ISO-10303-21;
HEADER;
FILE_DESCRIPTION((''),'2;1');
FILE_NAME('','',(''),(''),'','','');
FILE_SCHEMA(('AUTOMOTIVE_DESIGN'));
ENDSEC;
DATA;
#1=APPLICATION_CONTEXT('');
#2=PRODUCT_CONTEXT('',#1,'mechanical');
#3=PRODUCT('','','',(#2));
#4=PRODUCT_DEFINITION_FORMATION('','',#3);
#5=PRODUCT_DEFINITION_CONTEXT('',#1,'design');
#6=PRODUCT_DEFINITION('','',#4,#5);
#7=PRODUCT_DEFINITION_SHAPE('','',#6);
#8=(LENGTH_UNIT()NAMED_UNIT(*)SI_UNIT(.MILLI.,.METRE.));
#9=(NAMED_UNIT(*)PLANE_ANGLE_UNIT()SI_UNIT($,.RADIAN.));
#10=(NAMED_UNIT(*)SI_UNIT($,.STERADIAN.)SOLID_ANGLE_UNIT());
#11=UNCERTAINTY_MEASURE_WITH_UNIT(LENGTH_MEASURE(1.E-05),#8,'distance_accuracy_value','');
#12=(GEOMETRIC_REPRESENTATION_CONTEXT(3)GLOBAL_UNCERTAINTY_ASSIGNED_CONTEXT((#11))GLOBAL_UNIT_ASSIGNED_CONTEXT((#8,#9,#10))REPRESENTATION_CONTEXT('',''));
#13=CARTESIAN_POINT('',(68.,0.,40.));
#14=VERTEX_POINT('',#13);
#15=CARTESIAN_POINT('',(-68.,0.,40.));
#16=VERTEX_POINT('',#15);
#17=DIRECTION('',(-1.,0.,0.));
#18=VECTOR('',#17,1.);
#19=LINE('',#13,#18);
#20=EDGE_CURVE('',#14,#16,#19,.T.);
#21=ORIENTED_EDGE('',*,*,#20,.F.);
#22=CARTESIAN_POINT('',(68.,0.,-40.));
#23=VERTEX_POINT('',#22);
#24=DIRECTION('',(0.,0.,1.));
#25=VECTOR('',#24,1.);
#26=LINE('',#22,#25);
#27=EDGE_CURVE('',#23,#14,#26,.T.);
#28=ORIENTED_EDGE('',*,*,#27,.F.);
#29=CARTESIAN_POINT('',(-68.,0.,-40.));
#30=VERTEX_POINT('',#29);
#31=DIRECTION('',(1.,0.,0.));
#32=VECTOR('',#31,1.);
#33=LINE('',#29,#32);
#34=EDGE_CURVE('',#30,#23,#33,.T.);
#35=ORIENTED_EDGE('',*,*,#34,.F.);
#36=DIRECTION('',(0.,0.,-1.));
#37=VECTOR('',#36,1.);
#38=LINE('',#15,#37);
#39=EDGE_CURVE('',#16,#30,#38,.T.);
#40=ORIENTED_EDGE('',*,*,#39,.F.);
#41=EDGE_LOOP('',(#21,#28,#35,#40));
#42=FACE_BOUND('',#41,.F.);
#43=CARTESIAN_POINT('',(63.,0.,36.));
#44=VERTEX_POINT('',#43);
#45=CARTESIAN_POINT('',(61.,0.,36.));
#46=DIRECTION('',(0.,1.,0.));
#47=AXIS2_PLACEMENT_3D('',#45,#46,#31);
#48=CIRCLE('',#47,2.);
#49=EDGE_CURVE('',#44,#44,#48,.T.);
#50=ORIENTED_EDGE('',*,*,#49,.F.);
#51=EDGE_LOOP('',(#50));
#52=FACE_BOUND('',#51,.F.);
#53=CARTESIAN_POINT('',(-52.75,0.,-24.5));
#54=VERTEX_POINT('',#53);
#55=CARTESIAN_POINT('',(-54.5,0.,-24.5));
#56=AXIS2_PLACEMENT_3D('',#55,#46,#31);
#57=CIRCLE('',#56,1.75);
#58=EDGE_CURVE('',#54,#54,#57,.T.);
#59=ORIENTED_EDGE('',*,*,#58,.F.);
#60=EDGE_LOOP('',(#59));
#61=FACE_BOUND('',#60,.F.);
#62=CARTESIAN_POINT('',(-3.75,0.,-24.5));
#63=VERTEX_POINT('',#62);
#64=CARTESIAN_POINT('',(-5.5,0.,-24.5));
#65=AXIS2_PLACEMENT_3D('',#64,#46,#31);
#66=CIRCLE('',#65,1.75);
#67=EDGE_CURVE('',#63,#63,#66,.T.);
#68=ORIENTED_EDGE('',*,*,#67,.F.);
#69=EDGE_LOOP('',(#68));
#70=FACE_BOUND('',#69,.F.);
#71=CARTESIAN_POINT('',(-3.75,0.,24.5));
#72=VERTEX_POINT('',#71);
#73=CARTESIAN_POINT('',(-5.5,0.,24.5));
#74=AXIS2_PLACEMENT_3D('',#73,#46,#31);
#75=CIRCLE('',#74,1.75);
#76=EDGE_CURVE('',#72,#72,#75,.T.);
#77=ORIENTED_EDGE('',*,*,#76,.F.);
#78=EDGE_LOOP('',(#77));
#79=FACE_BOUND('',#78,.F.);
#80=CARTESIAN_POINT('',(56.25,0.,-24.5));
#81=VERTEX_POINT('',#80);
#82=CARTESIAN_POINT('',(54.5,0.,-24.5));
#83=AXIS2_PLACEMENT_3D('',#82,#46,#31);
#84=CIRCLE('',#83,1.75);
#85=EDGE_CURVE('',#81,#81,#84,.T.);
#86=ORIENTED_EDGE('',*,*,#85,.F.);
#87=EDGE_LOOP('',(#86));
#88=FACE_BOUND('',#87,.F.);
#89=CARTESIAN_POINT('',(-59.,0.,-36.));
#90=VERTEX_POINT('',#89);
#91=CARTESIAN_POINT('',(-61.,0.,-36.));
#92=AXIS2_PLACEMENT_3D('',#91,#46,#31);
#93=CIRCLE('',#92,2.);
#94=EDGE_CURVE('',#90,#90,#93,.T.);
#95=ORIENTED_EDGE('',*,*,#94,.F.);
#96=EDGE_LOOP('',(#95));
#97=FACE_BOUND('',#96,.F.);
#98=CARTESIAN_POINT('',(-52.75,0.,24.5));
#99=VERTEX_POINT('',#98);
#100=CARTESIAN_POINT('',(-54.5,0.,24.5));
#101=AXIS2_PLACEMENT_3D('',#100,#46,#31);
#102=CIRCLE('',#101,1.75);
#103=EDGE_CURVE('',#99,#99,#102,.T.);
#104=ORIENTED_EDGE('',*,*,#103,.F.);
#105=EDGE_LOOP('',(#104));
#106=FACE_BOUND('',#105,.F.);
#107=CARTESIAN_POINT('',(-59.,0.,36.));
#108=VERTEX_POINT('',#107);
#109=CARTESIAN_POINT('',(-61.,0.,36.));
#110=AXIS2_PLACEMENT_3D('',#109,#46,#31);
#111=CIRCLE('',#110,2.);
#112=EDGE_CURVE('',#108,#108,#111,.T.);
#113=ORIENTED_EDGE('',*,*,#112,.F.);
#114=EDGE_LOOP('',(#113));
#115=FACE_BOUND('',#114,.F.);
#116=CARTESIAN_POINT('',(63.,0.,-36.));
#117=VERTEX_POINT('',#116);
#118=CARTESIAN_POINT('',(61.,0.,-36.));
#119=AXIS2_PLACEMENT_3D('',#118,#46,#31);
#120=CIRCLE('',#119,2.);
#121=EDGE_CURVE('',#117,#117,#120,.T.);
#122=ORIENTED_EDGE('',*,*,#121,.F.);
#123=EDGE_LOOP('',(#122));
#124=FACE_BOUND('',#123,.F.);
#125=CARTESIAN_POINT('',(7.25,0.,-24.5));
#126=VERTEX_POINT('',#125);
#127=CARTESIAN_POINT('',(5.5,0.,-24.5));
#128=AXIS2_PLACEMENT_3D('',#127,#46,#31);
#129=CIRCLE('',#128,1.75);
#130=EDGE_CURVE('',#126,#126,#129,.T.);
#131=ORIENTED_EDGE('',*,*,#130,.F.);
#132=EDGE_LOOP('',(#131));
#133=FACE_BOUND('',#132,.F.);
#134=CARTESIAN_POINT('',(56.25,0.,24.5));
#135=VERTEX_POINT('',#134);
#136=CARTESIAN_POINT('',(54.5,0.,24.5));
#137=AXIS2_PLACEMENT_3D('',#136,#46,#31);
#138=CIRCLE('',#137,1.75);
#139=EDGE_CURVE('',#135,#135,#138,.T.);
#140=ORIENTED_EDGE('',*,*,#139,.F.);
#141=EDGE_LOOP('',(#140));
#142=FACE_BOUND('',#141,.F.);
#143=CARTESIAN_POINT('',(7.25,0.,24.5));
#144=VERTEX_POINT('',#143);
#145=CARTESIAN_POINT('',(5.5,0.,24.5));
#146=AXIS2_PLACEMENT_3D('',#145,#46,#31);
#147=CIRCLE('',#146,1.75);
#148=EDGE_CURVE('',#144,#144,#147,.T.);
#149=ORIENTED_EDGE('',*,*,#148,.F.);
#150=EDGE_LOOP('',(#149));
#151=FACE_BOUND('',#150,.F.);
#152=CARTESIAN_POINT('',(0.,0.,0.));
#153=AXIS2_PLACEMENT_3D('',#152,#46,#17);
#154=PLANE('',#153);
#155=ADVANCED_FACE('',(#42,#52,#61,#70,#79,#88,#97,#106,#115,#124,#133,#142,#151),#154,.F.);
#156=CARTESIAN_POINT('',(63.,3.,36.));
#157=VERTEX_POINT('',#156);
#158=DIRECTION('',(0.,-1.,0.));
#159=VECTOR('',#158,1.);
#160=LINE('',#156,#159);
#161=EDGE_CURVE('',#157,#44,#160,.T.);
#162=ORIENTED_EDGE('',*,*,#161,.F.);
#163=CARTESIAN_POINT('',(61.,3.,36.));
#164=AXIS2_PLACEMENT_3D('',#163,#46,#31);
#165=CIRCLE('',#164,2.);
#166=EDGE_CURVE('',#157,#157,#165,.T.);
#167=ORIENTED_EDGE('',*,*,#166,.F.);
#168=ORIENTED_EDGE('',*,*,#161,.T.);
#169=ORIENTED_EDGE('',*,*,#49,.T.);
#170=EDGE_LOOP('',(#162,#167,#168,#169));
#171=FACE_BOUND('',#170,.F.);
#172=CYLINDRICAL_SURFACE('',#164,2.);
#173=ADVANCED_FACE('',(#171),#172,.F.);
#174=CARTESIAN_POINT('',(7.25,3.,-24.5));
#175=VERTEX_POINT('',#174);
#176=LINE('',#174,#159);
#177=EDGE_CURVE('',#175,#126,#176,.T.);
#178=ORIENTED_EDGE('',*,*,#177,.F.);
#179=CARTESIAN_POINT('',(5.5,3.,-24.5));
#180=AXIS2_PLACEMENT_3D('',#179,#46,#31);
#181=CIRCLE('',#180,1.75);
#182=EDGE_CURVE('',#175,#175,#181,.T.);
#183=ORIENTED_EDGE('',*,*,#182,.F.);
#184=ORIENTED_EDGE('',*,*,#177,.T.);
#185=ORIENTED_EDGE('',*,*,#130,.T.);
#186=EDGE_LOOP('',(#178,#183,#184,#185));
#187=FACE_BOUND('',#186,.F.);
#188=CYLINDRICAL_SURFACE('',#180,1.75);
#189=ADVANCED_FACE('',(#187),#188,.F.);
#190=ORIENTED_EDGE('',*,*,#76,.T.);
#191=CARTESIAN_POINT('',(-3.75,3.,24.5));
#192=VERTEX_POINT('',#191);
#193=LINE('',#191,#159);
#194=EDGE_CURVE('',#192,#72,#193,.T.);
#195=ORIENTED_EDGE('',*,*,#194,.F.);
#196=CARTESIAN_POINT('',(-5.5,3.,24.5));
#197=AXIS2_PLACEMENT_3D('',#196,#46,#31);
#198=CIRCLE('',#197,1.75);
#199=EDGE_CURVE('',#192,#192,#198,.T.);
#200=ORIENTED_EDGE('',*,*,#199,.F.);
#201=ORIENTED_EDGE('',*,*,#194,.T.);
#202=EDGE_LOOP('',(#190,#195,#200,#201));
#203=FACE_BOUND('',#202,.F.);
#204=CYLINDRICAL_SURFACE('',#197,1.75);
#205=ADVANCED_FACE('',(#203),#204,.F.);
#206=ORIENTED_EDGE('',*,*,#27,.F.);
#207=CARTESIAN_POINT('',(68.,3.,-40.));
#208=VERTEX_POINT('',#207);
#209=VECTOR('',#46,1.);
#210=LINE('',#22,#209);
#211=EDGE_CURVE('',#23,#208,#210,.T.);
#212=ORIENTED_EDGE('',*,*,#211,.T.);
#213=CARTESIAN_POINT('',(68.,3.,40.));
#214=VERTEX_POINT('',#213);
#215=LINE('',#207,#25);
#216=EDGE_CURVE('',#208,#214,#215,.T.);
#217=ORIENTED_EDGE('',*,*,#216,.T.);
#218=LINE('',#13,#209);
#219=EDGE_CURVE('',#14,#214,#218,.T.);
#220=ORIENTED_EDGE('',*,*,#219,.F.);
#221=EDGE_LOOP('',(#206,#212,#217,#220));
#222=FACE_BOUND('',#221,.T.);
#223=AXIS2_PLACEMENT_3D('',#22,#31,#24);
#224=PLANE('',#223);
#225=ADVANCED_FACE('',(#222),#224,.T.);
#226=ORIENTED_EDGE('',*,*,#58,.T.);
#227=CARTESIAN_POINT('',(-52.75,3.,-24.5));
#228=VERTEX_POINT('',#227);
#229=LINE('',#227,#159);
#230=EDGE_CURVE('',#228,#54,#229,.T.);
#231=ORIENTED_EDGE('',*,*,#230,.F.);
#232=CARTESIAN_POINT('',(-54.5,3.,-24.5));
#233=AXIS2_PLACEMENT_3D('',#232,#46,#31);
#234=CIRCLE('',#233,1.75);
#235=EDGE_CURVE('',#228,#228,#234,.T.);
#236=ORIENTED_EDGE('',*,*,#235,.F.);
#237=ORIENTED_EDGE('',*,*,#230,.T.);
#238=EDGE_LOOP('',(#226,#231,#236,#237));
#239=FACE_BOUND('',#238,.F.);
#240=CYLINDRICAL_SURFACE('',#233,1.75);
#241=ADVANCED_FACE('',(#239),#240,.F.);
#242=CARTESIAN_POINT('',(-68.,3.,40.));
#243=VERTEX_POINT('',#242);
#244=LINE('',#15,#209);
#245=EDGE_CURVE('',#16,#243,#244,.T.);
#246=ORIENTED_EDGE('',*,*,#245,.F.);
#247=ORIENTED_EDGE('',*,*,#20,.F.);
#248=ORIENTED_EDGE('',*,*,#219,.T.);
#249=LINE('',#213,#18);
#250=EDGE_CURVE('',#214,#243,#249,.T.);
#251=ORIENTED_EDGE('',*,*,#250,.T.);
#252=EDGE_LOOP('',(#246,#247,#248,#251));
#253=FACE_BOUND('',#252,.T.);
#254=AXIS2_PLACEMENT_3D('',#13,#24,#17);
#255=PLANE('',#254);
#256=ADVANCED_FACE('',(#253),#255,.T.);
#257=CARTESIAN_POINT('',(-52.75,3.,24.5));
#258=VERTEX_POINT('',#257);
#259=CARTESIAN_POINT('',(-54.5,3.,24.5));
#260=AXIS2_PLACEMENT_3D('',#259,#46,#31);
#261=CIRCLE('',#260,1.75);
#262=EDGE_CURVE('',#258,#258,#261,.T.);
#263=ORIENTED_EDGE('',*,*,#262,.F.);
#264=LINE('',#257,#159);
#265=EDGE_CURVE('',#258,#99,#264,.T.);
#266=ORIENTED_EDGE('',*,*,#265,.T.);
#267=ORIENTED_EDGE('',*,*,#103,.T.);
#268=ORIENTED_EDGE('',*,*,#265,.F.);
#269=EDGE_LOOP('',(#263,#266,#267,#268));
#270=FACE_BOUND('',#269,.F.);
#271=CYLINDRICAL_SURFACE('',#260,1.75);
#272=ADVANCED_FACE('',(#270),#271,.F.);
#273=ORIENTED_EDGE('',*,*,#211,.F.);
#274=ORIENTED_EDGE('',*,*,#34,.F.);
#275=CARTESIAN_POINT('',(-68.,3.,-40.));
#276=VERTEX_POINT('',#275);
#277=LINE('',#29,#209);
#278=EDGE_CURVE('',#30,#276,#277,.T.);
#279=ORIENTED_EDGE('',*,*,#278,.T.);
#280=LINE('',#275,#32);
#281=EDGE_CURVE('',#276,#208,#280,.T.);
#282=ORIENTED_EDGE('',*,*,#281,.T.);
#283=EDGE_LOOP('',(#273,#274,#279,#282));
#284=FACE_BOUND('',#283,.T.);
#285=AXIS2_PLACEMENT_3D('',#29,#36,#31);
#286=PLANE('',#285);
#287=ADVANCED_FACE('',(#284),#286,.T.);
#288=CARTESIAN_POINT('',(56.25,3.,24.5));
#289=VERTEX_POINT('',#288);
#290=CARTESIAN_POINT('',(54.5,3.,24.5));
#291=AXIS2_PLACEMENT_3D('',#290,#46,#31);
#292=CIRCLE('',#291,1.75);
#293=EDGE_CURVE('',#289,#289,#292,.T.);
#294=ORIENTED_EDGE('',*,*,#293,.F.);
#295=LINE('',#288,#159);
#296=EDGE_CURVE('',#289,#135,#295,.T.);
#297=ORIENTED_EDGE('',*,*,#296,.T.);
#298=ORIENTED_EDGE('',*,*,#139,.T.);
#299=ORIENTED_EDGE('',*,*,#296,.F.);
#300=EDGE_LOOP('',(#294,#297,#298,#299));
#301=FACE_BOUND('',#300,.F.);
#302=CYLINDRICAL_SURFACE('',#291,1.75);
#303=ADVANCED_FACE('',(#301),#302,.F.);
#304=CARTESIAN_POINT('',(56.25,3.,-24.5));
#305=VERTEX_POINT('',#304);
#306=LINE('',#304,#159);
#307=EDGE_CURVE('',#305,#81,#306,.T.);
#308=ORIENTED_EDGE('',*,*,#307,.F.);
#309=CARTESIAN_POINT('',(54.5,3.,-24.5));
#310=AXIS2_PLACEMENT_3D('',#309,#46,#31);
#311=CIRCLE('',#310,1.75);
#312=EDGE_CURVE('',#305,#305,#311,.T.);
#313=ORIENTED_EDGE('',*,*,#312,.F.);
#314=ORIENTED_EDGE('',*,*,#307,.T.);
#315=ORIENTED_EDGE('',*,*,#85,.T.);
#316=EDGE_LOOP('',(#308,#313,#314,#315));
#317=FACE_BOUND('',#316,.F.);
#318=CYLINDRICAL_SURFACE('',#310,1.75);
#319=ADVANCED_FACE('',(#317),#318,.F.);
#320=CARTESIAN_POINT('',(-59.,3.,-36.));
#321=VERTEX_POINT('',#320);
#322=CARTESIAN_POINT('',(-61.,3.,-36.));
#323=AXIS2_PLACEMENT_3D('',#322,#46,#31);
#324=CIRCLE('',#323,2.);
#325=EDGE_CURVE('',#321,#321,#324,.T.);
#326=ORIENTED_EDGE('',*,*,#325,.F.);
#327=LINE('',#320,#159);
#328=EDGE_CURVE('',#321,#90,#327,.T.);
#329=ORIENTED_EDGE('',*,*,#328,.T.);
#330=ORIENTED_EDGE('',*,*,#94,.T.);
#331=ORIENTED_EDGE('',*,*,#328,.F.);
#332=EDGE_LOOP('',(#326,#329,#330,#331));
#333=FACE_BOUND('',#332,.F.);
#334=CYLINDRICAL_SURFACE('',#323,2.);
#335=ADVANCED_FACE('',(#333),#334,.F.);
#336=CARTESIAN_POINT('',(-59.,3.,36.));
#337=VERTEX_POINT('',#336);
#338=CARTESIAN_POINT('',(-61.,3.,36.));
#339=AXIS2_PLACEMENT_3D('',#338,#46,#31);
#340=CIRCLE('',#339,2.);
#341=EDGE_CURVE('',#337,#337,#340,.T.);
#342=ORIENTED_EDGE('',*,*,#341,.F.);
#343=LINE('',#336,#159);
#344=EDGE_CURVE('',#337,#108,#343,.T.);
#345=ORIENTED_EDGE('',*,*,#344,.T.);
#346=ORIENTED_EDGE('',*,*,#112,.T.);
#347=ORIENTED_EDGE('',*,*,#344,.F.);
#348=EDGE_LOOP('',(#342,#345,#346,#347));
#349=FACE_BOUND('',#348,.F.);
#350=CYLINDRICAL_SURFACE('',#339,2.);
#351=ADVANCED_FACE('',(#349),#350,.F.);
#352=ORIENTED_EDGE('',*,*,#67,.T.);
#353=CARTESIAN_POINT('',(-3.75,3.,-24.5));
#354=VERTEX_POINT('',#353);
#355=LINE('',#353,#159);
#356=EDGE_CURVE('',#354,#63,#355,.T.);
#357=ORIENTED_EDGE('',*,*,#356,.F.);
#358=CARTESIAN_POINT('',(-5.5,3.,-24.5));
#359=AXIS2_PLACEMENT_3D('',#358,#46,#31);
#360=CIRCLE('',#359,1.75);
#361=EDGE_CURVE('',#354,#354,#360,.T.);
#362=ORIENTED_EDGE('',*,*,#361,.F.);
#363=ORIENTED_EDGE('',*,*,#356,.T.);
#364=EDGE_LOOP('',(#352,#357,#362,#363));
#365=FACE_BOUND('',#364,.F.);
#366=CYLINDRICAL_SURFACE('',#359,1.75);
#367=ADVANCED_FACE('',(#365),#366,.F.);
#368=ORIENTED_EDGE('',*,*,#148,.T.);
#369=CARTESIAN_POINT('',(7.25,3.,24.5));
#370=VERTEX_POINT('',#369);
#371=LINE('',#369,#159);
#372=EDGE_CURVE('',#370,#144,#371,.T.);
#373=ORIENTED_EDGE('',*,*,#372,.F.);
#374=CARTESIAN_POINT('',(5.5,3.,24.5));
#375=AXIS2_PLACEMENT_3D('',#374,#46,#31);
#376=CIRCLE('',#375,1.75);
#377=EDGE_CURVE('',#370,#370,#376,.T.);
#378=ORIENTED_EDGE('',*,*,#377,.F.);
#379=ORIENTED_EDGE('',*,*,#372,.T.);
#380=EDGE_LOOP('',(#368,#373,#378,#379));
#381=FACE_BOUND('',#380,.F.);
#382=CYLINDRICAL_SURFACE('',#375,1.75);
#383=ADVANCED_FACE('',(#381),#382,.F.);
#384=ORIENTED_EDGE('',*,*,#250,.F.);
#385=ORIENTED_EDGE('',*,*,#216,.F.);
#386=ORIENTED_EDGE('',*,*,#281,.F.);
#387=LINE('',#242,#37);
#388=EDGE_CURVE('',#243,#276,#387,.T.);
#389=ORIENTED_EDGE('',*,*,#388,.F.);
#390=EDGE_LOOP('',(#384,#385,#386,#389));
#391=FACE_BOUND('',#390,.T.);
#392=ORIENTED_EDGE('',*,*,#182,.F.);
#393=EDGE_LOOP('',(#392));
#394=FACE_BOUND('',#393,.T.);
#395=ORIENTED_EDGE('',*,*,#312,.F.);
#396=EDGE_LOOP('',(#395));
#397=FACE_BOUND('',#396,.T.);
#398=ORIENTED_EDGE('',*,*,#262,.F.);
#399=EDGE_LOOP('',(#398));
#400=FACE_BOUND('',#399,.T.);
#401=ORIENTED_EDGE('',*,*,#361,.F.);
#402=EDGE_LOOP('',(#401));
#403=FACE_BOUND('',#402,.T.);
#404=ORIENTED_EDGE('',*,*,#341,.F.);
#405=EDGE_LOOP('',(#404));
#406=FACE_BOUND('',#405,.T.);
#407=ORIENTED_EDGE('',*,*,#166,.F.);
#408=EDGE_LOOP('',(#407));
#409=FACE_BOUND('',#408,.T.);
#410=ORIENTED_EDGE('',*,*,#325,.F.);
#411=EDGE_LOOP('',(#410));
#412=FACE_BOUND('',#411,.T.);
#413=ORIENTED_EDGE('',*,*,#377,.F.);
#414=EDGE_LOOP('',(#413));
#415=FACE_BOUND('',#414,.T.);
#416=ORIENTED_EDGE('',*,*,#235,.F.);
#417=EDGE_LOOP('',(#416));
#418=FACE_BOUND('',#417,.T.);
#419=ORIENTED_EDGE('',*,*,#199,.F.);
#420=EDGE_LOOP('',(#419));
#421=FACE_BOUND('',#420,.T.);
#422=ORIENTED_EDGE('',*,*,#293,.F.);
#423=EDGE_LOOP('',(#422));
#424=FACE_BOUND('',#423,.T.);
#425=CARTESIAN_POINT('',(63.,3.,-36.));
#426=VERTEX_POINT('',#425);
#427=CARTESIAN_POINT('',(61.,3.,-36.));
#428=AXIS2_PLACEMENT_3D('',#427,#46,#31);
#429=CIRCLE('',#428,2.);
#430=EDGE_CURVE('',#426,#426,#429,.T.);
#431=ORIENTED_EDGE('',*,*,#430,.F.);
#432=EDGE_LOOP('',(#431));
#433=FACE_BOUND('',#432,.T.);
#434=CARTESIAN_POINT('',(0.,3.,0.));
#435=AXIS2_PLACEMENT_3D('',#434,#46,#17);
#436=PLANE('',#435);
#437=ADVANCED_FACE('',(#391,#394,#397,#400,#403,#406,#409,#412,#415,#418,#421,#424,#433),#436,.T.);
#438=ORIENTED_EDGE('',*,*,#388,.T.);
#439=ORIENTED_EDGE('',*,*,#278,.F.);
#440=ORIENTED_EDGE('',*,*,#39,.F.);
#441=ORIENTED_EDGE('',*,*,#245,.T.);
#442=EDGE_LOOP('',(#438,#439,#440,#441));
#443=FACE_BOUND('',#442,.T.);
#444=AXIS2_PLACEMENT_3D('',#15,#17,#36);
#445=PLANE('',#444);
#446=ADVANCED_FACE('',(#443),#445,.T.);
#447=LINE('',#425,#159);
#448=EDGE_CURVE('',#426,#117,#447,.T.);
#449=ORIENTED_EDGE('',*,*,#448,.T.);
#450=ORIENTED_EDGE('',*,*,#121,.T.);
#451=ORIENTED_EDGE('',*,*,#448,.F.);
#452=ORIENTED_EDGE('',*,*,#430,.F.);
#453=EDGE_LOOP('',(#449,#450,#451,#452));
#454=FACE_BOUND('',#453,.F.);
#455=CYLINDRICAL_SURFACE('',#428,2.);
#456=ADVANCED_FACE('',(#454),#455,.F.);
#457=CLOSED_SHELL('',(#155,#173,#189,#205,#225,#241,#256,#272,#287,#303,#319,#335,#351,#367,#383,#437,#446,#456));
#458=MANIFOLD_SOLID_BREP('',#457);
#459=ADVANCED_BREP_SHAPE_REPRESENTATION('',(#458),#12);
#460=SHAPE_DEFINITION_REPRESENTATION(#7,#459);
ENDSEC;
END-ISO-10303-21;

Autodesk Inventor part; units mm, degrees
ref_plane "YZ Plane" through (0, 0, 0) normal (1, 0, 0) x (0, 1, 0)
ref_plane "XZ Plane" through (0, 0, 0) normal (0, 1, 0) x (-1, 0, 0)
ref_plane "XY Plane" through (0, 0, 0) normal (0, 0, 1) x (1, 0, 0)
sketch "스케치1" plane through (0, 0, 0) normal (0, 1, 0) x (-1, 0, 0)
  line L0 (-68, 40) -> (68, 40)
  line L1 (68, 40) -> (68, -40)
  line L2 (68, -40) -> (-68, -40)
  line L3 (-68, -40) -> (-68, 40)
  line L4 (-68, 40) -> (68, -40) construction
  line L5 (68, 40) -> (-68, -40) construction
  point P0 (0, 0)
  dimension "d0" = 136
  dimension "d1" = 80
extrude "돌출1" add sketch "스케치1" along normal blind 3
sketch "스케치2" plane through (0, 3, 0) normal (0, 1, 0) x (1, 0, 0)
  circle A0 centre (-54.5, 24.5) radius 1.75
  circle A1 centre (-5.5, 24.5) radius 1.75
  circle A2 centre (5.5, 24.5) radius 1.75
  circle A3 centre (54.5, 24.5) radius 1.75
  circle A4 centre (54.5, -24.5) radius 1.75
  circle A5 centre (5.5, -24.5) radius 1.75
  circle A6 centre (-5.5, -24.5) radius 1.75
  circle A7 centre (-54.5, -24.5) radius 1.75
  circle A8 centre (-61, 36) radius 2
  line L0 (-65, 32) -> (-57, 32)
  line L1 (-57, 32) -> (-57, 40)
  line L2 (-57, 40) -> (-65, 40)
  line L3 (-65, 40) -> (-65, 32)
  line L4 (-65, 32) -> (-57, 40) construction
  line L5 (-57, 32) -> (-65, 40) construction
  line L6 (68, 40) -> (-68, 40) projected
  line L7 (-68, 40) -> (-68, -40) projected
  line L8 (-1.8724, 0) -> (2.8404, 0)
  line L9 (0, 1.8083) -> (0, -2.4649)
  circle A9 centre (61, 36) radius 2
  circle A10 centre (-61, -36) radius 2
  circle A11 centre (61, -36) radius 2
  line L10 (68, -40) -> (68, 40) projected
  line L11 (-68, -40) -> (68, -40) projected
  dimension "d13" = 3.5
  dimension "d14" = 3.5
  dimension "d15" = 3.5
  dimension "d16" = 3.5
  dimension "d17" = 3.5
  dimension "d18" = 3.5
  dimension "d19" = 3.5
  dimension "d20" = 3.5
  dimension "d21" = 4
  dimension "d22" = 8
  dimension "d23" = 4
  dimension "d24" = 8
  dimension "d25" = 7
  dimension "d26" = 13.5
  dimension "d27" = 13.5
  dimension "d28" = 13.5
  dimension "d29" = 13.5
  dimension "d30" = 0
  dimension "d31" = 0
  dimension "d32" = 0
  dimension "d33" = 0
  dimension "d34" = 0
  dimension "d35" = 0
  dimension "d36" = 0
  dimension "d37" = 0
  dimension "d38" = 49
  dimension "d39" = 11
  dimension "d40" = 49
  dimension "d41" = 15.5
extrude "돌출2" cut sketch "스케치2" against normal blind 3 contours A0 | A1 | A2 | A3 | A4 | A5 | A6 | A7 | A8 | A9 | A10 | A11
equation "\"d27\" = d26"
equation "\"d28\" = d26"
equation "\"d29\" = d26"
properties part number "라즈베리파이 보관소 2층 판"
